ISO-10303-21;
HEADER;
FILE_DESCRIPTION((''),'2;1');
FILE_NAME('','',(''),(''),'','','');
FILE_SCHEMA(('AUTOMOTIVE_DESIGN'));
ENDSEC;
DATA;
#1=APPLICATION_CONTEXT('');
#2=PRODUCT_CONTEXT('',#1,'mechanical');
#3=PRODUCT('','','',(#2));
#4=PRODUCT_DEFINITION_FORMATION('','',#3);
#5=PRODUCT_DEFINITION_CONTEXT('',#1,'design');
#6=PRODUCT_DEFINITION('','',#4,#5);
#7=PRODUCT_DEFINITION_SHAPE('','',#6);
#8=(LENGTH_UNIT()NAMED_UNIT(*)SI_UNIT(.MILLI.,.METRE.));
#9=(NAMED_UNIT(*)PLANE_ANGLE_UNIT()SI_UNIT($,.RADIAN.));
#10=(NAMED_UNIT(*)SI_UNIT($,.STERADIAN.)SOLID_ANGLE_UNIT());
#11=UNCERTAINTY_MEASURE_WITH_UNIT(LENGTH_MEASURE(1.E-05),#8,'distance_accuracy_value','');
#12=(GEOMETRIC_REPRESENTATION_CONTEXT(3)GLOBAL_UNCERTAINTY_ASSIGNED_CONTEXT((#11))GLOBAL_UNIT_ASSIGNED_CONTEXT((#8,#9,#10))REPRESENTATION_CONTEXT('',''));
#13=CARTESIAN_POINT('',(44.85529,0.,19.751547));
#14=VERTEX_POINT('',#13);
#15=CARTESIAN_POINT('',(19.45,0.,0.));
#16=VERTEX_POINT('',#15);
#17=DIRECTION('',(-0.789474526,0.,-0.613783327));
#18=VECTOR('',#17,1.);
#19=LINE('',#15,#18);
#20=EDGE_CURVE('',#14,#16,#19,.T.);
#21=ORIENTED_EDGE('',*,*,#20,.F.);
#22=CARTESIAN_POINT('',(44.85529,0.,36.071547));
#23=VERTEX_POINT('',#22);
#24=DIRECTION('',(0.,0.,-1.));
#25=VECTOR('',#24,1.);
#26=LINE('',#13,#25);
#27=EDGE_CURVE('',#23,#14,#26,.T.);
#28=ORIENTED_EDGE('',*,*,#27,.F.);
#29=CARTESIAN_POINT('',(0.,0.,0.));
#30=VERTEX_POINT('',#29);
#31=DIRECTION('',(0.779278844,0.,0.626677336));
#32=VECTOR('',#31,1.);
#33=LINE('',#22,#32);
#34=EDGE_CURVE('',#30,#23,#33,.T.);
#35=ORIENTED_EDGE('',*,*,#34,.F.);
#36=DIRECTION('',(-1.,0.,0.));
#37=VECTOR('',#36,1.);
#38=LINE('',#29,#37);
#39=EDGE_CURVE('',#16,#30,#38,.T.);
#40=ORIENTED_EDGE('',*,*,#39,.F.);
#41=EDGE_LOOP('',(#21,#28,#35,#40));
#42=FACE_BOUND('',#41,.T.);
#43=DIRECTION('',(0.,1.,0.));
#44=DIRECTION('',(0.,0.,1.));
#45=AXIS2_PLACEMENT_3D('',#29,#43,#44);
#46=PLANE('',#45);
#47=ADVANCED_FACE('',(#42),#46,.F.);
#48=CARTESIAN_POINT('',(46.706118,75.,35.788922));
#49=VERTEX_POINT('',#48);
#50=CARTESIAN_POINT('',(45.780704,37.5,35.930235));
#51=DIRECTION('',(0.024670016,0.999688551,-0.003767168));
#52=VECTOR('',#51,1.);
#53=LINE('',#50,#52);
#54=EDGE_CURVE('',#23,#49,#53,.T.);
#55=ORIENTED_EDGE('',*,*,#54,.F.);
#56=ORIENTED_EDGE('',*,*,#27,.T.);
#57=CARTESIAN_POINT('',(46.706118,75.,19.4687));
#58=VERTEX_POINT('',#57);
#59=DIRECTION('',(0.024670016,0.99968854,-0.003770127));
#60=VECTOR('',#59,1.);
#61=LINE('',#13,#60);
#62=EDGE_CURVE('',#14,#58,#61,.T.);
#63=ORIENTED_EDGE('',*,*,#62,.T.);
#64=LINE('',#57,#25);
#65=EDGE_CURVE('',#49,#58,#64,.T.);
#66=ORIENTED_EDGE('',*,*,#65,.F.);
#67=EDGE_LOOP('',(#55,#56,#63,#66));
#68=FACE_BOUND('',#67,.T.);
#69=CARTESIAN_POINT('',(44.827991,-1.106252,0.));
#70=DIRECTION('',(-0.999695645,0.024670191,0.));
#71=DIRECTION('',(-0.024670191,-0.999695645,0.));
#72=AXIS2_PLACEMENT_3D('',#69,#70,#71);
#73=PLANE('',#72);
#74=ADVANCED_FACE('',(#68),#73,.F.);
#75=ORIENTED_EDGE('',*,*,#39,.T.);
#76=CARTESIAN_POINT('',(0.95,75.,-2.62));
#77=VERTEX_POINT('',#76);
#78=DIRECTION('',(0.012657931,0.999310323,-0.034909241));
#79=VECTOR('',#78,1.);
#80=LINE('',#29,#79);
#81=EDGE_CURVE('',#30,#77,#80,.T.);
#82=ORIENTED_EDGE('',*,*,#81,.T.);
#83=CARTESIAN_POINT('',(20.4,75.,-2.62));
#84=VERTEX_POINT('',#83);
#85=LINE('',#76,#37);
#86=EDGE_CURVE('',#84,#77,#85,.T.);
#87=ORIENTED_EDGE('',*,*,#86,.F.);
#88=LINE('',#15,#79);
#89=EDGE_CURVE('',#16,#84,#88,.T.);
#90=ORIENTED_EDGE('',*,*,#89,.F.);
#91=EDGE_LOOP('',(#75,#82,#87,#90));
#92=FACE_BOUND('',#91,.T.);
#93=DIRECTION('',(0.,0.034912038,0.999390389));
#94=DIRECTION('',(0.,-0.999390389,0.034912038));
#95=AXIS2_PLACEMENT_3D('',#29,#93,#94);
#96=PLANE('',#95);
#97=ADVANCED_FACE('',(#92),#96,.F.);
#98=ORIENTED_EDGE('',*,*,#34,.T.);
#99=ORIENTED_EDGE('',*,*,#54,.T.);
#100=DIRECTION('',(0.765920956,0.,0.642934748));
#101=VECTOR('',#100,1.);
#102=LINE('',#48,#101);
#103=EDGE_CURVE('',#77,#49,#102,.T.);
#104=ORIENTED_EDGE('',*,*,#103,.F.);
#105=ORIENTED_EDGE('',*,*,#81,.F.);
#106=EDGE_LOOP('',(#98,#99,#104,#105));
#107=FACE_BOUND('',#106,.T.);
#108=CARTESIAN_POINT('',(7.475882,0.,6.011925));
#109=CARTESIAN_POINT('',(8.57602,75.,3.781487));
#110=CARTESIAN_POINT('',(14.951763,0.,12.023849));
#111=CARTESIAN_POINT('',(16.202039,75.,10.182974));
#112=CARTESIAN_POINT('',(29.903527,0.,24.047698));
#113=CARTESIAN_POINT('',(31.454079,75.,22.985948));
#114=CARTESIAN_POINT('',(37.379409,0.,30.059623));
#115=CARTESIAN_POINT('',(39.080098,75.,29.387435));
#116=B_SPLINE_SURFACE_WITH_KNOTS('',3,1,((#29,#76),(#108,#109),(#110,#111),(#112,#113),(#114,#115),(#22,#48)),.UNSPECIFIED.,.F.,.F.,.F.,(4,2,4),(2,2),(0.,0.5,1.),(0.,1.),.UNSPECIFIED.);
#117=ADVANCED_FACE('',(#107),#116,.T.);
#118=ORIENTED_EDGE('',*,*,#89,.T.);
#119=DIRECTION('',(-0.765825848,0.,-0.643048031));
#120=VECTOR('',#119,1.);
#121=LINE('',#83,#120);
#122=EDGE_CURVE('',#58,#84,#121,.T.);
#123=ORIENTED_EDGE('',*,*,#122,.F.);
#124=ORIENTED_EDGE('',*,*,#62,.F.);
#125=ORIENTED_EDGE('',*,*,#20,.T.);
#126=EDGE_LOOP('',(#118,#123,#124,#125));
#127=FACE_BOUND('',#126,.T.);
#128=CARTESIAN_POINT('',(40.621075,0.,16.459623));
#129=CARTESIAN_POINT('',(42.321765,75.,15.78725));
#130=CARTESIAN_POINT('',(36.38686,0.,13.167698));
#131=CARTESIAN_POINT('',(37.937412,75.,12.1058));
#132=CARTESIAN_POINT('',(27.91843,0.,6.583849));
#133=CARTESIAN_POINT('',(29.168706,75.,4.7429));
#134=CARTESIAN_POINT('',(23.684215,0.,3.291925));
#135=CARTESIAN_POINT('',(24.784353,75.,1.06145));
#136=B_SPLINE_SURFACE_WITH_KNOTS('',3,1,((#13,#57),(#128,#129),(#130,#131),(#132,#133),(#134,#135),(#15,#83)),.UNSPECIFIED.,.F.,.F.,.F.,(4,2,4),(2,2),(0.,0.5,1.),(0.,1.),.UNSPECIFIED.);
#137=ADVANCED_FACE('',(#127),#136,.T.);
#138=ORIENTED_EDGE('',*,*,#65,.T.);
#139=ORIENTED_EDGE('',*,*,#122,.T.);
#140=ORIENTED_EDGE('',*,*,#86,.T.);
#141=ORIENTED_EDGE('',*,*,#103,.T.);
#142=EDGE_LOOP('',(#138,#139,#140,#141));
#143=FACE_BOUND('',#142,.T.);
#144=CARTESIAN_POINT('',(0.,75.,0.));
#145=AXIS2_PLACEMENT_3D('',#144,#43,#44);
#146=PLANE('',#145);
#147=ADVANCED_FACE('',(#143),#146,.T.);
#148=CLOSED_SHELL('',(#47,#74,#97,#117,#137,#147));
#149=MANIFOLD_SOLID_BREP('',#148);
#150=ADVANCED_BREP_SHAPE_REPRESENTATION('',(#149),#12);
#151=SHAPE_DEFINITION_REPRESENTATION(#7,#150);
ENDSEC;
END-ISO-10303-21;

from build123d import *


with BuildPart() as part:
    # Croquis1 → Recubrir1 section 0
    with BuildSketch(Plane(origin=(0, 0, 0), x_dir=(1, 0, 0), z_dir=(0, 1, 0))):
        Polygon((0, 0), (19.45, 0), (44.855290258, -19.751547456), (44.855290258, -36.071547456), align=None)
    # Croquis2 → Recubrir1 section 1
    with BuildSketch(Plane(origin=(0, 75, 0), x_dir=(1, 0, 0), z_dir=(0, 1, 0))):
        Polygon((0.95, 2.62), (20.4, 2.62), (46.706117884, -19.468699868), (46.706117884, -35.78892183), align=None)
    loft()


solid = part.part
